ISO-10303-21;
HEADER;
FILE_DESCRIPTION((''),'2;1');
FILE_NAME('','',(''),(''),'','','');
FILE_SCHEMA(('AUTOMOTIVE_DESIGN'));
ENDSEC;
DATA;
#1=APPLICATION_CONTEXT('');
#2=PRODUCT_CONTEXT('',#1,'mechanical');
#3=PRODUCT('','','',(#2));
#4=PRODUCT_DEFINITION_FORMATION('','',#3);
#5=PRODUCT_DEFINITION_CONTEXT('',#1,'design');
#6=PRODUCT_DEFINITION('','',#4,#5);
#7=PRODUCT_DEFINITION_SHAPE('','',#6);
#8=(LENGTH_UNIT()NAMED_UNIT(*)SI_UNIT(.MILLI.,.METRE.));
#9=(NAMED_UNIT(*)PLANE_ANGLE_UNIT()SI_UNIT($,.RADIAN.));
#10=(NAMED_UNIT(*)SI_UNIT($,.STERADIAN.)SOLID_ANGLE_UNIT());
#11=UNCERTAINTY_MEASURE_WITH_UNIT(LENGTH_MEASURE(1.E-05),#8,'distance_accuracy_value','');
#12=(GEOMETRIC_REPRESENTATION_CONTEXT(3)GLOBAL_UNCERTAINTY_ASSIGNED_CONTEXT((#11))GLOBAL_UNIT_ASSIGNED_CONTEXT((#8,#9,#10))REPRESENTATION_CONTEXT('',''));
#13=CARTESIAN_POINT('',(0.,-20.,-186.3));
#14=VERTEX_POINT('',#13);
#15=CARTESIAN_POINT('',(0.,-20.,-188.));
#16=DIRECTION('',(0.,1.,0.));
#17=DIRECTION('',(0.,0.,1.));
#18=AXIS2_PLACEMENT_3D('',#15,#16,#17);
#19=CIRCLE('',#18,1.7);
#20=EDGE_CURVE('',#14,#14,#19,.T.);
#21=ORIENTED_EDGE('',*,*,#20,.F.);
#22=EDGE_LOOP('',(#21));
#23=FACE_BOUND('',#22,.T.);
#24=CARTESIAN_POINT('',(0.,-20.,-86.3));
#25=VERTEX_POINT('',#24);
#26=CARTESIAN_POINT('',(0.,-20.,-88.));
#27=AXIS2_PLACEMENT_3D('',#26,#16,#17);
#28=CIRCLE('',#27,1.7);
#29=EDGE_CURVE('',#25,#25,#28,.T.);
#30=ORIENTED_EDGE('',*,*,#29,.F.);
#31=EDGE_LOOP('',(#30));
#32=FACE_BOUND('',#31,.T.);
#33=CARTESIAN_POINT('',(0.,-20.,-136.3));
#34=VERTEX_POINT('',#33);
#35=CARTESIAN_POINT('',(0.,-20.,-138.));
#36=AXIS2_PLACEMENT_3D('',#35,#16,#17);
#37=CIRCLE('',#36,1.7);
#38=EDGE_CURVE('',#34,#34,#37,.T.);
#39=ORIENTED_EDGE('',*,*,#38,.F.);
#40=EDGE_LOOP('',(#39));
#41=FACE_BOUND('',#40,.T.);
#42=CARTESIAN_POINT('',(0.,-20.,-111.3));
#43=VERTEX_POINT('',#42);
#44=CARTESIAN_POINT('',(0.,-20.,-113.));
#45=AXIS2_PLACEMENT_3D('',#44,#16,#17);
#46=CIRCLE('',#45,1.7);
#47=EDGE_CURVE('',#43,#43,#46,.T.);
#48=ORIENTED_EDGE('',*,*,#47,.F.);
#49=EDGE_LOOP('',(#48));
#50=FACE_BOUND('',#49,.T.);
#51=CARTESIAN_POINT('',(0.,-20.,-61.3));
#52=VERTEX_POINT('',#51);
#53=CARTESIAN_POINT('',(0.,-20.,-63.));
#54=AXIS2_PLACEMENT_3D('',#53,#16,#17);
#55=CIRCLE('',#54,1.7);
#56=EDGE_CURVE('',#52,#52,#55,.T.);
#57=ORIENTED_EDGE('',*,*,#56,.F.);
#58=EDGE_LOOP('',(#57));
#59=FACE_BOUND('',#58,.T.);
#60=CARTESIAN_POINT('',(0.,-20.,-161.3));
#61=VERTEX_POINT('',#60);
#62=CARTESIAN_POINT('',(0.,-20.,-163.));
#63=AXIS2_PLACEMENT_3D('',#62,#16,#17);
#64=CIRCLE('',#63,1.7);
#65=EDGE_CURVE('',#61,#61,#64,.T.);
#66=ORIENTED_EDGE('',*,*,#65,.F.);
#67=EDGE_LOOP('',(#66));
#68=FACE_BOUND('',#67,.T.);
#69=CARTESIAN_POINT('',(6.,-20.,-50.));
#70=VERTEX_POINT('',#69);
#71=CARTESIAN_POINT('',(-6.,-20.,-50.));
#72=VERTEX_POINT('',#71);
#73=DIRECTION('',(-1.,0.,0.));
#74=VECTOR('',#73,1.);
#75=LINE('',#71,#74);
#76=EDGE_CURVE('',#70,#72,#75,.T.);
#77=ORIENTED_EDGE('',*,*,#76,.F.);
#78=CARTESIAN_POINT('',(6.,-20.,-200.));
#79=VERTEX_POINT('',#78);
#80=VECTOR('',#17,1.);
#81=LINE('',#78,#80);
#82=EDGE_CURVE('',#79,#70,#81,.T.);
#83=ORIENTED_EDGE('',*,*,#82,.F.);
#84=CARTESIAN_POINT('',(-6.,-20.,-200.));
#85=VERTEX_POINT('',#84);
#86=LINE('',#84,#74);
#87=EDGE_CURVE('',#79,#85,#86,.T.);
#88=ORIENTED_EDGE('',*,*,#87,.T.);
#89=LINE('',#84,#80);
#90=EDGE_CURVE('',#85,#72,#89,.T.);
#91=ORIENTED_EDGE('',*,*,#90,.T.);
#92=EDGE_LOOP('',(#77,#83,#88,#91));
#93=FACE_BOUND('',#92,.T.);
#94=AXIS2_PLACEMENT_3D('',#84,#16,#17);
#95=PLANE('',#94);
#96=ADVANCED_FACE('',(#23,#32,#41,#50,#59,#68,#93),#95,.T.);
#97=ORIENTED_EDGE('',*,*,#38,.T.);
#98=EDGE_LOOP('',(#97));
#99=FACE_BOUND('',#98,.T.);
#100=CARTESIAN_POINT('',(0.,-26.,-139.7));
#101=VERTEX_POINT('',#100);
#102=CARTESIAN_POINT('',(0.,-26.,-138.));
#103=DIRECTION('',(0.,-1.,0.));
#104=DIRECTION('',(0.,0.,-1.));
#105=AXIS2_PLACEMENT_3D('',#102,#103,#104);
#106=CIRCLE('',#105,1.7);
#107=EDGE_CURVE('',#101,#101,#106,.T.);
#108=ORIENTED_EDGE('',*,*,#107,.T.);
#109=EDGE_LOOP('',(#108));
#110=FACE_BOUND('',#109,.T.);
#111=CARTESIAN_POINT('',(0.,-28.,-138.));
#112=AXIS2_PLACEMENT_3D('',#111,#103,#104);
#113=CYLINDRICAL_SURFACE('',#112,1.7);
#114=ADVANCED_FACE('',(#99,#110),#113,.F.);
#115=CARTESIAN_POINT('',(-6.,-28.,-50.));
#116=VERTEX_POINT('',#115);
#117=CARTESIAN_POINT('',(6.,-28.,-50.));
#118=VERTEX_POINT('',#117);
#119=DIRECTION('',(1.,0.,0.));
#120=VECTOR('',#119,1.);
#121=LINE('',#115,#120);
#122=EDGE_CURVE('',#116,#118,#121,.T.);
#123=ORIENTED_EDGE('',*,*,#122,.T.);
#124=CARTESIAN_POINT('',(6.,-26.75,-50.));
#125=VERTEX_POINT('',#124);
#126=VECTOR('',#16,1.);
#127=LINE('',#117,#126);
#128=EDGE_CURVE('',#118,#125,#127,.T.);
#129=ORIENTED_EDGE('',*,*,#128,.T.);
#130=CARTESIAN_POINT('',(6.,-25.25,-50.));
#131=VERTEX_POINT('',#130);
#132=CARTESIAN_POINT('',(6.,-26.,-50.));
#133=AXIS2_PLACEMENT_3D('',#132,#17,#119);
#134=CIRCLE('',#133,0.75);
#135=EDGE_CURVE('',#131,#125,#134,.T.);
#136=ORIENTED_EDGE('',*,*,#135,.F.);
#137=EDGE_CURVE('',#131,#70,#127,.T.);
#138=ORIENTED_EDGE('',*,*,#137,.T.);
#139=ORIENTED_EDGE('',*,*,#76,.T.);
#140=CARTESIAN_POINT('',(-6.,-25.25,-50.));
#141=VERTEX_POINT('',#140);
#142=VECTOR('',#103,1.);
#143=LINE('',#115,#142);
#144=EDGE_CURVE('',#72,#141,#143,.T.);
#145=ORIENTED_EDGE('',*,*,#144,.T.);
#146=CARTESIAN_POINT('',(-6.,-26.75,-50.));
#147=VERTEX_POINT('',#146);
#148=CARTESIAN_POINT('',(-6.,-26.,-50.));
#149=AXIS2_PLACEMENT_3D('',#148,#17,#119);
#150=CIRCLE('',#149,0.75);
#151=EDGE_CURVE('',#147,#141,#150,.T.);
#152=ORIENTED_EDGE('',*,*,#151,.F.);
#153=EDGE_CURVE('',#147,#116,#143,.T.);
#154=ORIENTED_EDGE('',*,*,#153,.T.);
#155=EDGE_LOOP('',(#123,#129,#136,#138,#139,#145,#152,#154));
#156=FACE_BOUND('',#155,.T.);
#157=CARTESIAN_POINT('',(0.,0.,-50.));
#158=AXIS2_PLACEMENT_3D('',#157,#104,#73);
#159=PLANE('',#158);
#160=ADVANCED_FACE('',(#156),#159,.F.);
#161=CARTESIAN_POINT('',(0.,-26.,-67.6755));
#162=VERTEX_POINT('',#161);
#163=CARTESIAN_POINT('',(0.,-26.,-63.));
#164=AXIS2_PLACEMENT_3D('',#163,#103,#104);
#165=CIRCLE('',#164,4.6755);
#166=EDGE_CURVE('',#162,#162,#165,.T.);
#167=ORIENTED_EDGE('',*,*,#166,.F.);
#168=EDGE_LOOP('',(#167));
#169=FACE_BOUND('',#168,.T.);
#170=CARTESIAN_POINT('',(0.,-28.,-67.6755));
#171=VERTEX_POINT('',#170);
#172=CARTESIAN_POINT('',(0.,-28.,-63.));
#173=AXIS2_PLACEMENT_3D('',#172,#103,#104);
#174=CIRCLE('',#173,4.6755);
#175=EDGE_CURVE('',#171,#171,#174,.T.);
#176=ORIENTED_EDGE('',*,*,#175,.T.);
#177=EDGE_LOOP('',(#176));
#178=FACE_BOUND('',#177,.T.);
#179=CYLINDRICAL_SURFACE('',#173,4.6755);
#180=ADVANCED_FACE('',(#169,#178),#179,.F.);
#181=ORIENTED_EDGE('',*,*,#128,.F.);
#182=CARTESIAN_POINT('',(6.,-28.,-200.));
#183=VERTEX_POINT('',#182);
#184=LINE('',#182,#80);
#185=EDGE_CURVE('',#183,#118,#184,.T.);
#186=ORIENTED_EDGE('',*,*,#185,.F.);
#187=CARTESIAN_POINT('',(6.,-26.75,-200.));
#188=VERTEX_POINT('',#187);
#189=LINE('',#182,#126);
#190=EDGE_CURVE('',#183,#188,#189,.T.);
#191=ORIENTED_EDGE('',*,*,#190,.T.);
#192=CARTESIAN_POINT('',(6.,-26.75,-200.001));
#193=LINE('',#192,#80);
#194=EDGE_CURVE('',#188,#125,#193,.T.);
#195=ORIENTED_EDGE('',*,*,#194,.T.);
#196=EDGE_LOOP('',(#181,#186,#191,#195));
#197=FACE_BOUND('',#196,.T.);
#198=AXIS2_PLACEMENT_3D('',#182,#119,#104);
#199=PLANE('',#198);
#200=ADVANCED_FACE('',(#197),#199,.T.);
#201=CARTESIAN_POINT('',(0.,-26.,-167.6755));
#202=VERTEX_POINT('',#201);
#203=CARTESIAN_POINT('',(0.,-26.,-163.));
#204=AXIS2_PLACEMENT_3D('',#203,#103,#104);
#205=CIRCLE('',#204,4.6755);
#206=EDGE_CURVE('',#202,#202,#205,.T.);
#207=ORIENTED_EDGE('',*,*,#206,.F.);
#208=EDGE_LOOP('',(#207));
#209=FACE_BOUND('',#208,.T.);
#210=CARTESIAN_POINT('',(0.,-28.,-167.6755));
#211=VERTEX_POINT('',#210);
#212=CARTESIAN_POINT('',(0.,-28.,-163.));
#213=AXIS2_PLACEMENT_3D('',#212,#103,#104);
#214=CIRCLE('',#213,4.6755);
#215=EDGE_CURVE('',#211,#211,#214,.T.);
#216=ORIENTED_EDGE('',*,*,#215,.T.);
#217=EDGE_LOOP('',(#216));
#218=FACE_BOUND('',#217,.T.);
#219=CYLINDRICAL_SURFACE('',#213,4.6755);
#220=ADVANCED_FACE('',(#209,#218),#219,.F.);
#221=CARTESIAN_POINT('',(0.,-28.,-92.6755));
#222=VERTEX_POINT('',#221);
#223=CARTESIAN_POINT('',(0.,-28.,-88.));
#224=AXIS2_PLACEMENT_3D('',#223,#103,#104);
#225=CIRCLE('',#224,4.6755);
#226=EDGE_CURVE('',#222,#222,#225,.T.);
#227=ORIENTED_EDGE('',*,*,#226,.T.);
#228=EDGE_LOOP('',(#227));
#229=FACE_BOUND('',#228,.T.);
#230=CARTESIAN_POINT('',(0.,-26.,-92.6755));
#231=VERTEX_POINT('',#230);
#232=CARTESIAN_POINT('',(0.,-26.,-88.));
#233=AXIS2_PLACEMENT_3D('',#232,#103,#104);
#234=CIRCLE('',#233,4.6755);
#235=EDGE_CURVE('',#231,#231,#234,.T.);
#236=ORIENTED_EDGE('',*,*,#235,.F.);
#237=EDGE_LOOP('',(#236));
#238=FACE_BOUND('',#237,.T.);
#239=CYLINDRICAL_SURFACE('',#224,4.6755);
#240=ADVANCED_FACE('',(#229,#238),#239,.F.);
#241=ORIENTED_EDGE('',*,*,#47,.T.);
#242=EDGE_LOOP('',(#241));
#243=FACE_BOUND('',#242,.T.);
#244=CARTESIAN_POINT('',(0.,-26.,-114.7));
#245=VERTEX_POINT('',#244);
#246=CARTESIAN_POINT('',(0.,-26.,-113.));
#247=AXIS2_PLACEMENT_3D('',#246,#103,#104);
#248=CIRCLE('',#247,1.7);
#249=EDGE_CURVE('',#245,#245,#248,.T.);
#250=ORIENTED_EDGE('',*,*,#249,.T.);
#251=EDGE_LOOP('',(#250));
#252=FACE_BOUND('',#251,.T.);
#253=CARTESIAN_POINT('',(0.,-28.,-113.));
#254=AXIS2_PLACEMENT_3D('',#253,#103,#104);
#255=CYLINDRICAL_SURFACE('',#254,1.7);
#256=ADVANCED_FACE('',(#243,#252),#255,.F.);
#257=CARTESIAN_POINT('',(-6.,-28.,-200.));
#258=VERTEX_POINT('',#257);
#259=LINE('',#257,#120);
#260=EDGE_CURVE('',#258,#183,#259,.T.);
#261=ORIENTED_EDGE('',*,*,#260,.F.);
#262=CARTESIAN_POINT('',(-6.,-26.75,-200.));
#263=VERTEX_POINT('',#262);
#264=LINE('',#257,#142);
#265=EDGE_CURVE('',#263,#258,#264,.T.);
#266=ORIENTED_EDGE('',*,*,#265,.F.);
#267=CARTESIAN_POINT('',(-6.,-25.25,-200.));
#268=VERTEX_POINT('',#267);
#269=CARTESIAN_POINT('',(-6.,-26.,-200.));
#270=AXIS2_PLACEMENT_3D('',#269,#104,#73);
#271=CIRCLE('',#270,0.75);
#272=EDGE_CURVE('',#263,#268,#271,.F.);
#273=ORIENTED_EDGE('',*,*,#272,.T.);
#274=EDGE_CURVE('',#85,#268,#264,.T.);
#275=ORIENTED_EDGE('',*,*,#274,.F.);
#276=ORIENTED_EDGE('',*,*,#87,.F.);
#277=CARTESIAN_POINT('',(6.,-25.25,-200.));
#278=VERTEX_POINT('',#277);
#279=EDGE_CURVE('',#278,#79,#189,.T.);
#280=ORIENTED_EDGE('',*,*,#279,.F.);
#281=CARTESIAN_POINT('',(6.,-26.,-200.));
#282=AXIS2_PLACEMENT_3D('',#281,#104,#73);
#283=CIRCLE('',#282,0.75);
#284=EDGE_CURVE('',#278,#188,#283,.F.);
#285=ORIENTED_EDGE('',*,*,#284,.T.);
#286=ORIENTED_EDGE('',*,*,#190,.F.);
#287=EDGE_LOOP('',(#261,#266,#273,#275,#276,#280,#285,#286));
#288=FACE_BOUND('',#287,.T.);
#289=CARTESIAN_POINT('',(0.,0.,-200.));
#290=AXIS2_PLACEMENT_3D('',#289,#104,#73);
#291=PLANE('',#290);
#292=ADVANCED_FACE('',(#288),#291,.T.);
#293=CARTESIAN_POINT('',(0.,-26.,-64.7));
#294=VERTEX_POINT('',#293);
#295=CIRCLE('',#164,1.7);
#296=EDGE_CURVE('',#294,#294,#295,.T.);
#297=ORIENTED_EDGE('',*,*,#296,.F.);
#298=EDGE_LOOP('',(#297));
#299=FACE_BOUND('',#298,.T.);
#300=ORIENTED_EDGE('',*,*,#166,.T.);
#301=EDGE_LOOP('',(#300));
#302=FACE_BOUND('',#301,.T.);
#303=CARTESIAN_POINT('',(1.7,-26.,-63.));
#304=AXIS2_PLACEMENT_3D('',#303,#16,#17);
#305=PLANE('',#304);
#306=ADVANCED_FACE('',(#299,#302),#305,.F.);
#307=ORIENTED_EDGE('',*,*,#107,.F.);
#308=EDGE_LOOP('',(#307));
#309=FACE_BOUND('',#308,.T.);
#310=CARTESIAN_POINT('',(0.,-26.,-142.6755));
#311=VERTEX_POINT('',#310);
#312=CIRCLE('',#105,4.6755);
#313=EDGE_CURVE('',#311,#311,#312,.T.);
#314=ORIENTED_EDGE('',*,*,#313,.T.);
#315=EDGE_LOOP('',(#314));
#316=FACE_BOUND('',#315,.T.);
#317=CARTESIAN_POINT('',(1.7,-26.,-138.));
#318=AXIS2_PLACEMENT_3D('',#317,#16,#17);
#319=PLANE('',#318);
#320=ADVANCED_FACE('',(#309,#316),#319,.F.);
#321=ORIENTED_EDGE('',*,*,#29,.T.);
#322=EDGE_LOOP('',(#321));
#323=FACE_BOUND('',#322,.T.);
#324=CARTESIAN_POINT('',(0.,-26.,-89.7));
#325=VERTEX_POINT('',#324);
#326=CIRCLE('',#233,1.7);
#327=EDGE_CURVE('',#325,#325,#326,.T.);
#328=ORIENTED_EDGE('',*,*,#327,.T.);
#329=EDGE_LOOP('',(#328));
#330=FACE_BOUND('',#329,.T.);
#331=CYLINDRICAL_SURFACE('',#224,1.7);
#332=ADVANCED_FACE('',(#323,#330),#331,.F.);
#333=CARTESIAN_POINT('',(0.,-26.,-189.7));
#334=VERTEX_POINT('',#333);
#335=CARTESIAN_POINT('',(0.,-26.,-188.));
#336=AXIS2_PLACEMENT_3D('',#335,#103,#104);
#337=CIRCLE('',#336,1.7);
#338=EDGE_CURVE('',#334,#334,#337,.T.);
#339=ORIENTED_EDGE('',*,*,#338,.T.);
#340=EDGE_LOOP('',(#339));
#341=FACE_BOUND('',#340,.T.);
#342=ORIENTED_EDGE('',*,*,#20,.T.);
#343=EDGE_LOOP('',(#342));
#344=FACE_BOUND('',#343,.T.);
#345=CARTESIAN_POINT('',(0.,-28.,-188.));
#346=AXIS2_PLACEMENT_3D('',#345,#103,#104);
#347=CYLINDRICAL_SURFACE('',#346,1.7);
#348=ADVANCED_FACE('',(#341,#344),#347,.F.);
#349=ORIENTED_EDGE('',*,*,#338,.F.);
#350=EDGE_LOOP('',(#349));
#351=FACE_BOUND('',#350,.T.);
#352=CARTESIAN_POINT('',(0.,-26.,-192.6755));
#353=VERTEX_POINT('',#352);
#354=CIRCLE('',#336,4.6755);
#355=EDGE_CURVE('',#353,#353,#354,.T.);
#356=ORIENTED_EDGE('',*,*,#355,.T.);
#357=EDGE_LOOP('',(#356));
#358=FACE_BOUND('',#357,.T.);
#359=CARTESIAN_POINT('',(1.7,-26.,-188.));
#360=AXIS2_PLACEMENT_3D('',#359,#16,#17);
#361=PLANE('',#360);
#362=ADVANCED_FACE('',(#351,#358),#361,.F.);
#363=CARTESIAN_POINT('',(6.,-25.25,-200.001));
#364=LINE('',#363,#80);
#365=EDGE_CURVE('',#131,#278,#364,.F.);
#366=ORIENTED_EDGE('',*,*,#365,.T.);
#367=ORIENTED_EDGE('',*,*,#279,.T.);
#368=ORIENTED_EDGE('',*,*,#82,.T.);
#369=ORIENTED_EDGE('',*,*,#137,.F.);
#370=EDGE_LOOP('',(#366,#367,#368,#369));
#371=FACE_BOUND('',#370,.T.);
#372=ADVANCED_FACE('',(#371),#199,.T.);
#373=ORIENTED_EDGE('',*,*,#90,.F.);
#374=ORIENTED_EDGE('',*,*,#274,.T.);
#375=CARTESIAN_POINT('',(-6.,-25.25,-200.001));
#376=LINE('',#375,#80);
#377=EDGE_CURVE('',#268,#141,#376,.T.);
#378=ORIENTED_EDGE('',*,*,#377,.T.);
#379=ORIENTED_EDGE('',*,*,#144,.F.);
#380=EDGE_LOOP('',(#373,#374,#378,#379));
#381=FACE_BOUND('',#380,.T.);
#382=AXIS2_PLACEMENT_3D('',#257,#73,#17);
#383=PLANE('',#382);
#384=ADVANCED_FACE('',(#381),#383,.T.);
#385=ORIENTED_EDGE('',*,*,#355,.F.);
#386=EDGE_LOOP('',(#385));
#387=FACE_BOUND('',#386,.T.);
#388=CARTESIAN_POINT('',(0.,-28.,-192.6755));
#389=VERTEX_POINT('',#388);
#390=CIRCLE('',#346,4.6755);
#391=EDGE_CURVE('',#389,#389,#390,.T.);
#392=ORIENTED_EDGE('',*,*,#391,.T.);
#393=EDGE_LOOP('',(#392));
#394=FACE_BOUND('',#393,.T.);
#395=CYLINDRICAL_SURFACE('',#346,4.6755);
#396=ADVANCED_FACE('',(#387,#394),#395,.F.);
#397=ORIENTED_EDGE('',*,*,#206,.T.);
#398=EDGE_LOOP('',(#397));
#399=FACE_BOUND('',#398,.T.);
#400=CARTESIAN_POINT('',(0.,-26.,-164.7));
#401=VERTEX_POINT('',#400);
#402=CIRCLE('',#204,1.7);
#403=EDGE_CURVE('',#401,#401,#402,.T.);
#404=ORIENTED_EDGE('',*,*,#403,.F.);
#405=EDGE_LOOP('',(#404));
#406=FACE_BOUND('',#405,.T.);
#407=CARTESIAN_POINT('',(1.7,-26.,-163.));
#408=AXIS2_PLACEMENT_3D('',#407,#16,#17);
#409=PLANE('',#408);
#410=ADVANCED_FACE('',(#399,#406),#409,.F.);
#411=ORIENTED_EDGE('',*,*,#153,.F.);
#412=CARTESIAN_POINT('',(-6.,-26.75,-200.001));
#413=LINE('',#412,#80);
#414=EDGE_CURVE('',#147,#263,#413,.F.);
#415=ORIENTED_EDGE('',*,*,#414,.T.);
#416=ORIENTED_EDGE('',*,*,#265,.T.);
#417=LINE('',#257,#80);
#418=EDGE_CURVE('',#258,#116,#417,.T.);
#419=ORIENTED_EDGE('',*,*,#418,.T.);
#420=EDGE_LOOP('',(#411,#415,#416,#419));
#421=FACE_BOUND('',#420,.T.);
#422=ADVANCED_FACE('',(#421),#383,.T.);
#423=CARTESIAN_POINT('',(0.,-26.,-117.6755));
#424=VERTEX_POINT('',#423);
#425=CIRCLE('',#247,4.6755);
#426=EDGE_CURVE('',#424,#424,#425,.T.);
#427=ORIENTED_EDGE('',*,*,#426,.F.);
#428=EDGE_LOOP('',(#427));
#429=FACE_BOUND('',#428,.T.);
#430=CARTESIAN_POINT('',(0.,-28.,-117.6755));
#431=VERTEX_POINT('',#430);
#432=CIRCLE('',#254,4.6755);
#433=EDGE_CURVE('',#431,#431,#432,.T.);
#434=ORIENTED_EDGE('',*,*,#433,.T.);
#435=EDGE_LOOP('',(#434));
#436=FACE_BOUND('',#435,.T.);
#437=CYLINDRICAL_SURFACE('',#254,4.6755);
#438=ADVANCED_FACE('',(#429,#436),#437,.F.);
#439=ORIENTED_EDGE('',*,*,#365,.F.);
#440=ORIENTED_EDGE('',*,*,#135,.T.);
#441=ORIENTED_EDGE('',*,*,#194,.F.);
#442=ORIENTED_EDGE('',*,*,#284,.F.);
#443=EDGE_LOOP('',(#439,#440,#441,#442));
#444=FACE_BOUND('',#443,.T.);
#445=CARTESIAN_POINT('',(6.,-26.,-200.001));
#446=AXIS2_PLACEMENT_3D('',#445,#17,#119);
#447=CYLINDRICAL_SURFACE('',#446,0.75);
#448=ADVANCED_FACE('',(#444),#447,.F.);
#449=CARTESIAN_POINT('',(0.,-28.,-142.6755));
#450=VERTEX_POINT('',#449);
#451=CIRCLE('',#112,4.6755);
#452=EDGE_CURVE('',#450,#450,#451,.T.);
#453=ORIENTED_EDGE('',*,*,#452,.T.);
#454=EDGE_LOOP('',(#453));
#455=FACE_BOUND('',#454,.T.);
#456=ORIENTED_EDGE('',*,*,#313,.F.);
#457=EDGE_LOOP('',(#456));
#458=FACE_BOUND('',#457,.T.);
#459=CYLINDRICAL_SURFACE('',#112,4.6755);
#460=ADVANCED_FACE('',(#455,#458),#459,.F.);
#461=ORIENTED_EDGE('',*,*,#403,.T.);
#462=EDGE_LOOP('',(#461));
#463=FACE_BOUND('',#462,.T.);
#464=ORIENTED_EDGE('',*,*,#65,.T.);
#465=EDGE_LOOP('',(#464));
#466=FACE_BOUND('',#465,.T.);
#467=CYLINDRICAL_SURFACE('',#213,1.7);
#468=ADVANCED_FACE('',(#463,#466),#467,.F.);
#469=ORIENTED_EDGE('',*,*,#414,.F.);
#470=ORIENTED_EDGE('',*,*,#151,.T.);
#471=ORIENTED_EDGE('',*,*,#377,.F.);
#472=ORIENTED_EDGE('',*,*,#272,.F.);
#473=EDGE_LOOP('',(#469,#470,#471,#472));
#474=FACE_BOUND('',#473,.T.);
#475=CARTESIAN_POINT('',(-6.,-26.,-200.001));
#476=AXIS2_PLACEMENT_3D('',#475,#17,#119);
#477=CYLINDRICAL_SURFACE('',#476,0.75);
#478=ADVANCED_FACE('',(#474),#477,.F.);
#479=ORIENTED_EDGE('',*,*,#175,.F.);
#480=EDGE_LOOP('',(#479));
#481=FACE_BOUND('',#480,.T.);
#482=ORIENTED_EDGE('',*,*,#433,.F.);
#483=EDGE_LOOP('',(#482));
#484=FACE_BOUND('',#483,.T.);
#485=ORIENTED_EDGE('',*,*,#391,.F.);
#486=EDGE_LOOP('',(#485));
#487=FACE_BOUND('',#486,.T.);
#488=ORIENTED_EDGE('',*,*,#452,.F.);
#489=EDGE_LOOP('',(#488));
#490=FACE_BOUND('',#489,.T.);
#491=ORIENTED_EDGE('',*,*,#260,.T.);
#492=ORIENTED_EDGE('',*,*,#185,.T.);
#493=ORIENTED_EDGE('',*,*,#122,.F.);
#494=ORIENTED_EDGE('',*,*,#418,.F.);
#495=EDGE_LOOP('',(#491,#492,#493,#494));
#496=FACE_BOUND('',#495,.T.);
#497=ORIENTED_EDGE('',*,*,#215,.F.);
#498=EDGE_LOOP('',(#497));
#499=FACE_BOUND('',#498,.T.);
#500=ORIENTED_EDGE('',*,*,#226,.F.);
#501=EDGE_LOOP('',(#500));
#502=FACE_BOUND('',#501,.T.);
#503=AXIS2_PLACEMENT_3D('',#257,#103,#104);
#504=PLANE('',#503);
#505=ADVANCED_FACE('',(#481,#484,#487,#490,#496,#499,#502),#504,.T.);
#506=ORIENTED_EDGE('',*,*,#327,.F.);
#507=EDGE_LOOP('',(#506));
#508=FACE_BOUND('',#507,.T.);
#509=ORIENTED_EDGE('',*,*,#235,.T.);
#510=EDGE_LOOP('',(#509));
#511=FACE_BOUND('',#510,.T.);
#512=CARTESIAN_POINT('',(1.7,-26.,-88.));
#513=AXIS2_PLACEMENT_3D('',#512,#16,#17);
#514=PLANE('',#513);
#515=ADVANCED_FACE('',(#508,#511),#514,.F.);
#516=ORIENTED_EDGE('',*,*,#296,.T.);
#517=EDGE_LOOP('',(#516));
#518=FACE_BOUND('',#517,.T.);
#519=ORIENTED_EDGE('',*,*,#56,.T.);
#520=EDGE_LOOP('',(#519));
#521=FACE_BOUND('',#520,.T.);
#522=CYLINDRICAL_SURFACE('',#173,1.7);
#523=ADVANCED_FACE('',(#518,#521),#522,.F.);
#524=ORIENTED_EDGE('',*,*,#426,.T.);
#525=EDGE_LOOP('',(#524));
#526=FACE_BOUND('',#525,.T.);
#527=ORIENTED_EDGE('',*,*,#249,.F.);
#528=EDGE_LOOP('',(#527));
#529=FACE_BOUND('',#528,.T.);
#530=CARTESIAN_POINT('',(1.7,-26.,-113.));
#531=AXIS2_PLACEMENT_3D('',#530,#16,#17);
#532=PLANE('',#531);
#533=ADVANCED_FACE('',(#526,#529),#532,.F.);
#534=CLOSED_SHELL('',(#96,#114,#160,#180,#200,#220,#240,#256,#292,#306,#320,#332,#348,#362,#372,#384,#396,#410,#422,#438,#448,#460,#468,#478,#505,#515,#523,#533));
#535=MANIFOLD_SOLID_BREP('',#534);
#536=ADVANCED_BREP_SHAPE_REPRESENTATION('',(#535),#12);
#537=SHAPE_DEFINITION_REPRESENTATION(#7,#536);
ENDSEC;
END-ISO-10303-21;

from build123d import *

# Parameters (mm, degrees)
BOSS_EXTRUDE1_START                          = -50
SKETCH1_W                                    = 12
SKETCH1_H                                    = 8
BOSS_EXTRUDE1_DEPTH                          = 150
CUT_EXTRUDE1_REACH                           = 154.709
SKETCH2_R                                    = 0.75
CBORE_FOR_M3_HEX_HEAD_CAP_SCREW1_D           = 3.4
CBORE_FOR_M3_HEX_HEAD_CAP_SCREW1_CBORE_D     = 9.351
CBORE_FOR_M3_HEX_HEAD_CAP_SCREW1_CBORE_DEPTH = 2
LPATTERN2_COUNT                              = 6
LPATTERN2_PITCH                              = 25


with BuildPart() as part:
    # Sketch1 → Boss-Extrude1 (new body)
    with BuildSketch(Plane.XY.offset(BOSS_EXTRUDE1_START)):
        with Locations((0, -24)):
            Rectangle(SKETCH1_W, SKETCH1_H)
    extrude(amount=-BOSS_EXTRUDE1_DEPTH)

    # Sketch2 → Cut-Extrude1 (cut, up to next)
    with BuildSketch(Plane.XY.offset(-50), mode=Mode.PRIVATE) as cut_extrude1_sk1:
        with Locations((-6, -26)):
            Circle(SKETCH2_R)
    cut_extrude1_tool1 = extrude(cut_extrude1_sk1.sketch, amount=-CUT_EXTRUDE1_REACH, mode=Mode.PRIVATE) & part.part
    # Sketch2 → Cut-Extrude1 (cut, up to next)
    with BuildSketch(Plane.XY.offset(-50), mode=Mode.PRIVATE) as cut_extrude1_sk2:
        with Locations((6, -26)):
            Circle(SKETCH2_R)
    cut_extrude1_tool2 = extrude(cut_extrude1_sk2.sketch, amount=-CUT_EXTRUDE1_REACH, mode=Mode.PRIVATE) & part.part
    add(cut_extrude1_tool1.solids().sort_by_distance((-6, -26, -50))[0], mode=Mode.SUBTRACT)
    add(cut_extrude1_tool2.solids().sort_by_distance((6, -26, -50))[0], mode=Mode.SUBTRACT)

    # CBORE for M3 Hex Head Cap Screw1 (through all)
    with Locations(Plane(origin=(0, -28, 0), x_dir=(-1, 0, 0), z_dir=(0, -1, 0))):
        with Locations((0, 63)):
            cbore_for_m3_hex_head_cap_screw1 = CounterBoreHole(CBORE_FOR_M3_HEX_HEAD_CAP_SCREW1_D / 2, CBORE_FOR_M3_HEX_HEAD_CAP_SCREW1_CBORE_D / 2, CBORE_FOR_M3_HEX_HEAD_CAP_SCREW1_CBORE_DEPTH)

    # LPattern2: CBORE for M3 Hex Head Cap Screw1 ×6
    with Locations(*[(0, 0, -i * LPATTERN2_PITCH) for i in range(1, LPATTERN2_COUNT)]):
        add(cbore_for_m3_hex_head_cap_screw1, mode=Mode.SUBTRACT)


solid = part.part
